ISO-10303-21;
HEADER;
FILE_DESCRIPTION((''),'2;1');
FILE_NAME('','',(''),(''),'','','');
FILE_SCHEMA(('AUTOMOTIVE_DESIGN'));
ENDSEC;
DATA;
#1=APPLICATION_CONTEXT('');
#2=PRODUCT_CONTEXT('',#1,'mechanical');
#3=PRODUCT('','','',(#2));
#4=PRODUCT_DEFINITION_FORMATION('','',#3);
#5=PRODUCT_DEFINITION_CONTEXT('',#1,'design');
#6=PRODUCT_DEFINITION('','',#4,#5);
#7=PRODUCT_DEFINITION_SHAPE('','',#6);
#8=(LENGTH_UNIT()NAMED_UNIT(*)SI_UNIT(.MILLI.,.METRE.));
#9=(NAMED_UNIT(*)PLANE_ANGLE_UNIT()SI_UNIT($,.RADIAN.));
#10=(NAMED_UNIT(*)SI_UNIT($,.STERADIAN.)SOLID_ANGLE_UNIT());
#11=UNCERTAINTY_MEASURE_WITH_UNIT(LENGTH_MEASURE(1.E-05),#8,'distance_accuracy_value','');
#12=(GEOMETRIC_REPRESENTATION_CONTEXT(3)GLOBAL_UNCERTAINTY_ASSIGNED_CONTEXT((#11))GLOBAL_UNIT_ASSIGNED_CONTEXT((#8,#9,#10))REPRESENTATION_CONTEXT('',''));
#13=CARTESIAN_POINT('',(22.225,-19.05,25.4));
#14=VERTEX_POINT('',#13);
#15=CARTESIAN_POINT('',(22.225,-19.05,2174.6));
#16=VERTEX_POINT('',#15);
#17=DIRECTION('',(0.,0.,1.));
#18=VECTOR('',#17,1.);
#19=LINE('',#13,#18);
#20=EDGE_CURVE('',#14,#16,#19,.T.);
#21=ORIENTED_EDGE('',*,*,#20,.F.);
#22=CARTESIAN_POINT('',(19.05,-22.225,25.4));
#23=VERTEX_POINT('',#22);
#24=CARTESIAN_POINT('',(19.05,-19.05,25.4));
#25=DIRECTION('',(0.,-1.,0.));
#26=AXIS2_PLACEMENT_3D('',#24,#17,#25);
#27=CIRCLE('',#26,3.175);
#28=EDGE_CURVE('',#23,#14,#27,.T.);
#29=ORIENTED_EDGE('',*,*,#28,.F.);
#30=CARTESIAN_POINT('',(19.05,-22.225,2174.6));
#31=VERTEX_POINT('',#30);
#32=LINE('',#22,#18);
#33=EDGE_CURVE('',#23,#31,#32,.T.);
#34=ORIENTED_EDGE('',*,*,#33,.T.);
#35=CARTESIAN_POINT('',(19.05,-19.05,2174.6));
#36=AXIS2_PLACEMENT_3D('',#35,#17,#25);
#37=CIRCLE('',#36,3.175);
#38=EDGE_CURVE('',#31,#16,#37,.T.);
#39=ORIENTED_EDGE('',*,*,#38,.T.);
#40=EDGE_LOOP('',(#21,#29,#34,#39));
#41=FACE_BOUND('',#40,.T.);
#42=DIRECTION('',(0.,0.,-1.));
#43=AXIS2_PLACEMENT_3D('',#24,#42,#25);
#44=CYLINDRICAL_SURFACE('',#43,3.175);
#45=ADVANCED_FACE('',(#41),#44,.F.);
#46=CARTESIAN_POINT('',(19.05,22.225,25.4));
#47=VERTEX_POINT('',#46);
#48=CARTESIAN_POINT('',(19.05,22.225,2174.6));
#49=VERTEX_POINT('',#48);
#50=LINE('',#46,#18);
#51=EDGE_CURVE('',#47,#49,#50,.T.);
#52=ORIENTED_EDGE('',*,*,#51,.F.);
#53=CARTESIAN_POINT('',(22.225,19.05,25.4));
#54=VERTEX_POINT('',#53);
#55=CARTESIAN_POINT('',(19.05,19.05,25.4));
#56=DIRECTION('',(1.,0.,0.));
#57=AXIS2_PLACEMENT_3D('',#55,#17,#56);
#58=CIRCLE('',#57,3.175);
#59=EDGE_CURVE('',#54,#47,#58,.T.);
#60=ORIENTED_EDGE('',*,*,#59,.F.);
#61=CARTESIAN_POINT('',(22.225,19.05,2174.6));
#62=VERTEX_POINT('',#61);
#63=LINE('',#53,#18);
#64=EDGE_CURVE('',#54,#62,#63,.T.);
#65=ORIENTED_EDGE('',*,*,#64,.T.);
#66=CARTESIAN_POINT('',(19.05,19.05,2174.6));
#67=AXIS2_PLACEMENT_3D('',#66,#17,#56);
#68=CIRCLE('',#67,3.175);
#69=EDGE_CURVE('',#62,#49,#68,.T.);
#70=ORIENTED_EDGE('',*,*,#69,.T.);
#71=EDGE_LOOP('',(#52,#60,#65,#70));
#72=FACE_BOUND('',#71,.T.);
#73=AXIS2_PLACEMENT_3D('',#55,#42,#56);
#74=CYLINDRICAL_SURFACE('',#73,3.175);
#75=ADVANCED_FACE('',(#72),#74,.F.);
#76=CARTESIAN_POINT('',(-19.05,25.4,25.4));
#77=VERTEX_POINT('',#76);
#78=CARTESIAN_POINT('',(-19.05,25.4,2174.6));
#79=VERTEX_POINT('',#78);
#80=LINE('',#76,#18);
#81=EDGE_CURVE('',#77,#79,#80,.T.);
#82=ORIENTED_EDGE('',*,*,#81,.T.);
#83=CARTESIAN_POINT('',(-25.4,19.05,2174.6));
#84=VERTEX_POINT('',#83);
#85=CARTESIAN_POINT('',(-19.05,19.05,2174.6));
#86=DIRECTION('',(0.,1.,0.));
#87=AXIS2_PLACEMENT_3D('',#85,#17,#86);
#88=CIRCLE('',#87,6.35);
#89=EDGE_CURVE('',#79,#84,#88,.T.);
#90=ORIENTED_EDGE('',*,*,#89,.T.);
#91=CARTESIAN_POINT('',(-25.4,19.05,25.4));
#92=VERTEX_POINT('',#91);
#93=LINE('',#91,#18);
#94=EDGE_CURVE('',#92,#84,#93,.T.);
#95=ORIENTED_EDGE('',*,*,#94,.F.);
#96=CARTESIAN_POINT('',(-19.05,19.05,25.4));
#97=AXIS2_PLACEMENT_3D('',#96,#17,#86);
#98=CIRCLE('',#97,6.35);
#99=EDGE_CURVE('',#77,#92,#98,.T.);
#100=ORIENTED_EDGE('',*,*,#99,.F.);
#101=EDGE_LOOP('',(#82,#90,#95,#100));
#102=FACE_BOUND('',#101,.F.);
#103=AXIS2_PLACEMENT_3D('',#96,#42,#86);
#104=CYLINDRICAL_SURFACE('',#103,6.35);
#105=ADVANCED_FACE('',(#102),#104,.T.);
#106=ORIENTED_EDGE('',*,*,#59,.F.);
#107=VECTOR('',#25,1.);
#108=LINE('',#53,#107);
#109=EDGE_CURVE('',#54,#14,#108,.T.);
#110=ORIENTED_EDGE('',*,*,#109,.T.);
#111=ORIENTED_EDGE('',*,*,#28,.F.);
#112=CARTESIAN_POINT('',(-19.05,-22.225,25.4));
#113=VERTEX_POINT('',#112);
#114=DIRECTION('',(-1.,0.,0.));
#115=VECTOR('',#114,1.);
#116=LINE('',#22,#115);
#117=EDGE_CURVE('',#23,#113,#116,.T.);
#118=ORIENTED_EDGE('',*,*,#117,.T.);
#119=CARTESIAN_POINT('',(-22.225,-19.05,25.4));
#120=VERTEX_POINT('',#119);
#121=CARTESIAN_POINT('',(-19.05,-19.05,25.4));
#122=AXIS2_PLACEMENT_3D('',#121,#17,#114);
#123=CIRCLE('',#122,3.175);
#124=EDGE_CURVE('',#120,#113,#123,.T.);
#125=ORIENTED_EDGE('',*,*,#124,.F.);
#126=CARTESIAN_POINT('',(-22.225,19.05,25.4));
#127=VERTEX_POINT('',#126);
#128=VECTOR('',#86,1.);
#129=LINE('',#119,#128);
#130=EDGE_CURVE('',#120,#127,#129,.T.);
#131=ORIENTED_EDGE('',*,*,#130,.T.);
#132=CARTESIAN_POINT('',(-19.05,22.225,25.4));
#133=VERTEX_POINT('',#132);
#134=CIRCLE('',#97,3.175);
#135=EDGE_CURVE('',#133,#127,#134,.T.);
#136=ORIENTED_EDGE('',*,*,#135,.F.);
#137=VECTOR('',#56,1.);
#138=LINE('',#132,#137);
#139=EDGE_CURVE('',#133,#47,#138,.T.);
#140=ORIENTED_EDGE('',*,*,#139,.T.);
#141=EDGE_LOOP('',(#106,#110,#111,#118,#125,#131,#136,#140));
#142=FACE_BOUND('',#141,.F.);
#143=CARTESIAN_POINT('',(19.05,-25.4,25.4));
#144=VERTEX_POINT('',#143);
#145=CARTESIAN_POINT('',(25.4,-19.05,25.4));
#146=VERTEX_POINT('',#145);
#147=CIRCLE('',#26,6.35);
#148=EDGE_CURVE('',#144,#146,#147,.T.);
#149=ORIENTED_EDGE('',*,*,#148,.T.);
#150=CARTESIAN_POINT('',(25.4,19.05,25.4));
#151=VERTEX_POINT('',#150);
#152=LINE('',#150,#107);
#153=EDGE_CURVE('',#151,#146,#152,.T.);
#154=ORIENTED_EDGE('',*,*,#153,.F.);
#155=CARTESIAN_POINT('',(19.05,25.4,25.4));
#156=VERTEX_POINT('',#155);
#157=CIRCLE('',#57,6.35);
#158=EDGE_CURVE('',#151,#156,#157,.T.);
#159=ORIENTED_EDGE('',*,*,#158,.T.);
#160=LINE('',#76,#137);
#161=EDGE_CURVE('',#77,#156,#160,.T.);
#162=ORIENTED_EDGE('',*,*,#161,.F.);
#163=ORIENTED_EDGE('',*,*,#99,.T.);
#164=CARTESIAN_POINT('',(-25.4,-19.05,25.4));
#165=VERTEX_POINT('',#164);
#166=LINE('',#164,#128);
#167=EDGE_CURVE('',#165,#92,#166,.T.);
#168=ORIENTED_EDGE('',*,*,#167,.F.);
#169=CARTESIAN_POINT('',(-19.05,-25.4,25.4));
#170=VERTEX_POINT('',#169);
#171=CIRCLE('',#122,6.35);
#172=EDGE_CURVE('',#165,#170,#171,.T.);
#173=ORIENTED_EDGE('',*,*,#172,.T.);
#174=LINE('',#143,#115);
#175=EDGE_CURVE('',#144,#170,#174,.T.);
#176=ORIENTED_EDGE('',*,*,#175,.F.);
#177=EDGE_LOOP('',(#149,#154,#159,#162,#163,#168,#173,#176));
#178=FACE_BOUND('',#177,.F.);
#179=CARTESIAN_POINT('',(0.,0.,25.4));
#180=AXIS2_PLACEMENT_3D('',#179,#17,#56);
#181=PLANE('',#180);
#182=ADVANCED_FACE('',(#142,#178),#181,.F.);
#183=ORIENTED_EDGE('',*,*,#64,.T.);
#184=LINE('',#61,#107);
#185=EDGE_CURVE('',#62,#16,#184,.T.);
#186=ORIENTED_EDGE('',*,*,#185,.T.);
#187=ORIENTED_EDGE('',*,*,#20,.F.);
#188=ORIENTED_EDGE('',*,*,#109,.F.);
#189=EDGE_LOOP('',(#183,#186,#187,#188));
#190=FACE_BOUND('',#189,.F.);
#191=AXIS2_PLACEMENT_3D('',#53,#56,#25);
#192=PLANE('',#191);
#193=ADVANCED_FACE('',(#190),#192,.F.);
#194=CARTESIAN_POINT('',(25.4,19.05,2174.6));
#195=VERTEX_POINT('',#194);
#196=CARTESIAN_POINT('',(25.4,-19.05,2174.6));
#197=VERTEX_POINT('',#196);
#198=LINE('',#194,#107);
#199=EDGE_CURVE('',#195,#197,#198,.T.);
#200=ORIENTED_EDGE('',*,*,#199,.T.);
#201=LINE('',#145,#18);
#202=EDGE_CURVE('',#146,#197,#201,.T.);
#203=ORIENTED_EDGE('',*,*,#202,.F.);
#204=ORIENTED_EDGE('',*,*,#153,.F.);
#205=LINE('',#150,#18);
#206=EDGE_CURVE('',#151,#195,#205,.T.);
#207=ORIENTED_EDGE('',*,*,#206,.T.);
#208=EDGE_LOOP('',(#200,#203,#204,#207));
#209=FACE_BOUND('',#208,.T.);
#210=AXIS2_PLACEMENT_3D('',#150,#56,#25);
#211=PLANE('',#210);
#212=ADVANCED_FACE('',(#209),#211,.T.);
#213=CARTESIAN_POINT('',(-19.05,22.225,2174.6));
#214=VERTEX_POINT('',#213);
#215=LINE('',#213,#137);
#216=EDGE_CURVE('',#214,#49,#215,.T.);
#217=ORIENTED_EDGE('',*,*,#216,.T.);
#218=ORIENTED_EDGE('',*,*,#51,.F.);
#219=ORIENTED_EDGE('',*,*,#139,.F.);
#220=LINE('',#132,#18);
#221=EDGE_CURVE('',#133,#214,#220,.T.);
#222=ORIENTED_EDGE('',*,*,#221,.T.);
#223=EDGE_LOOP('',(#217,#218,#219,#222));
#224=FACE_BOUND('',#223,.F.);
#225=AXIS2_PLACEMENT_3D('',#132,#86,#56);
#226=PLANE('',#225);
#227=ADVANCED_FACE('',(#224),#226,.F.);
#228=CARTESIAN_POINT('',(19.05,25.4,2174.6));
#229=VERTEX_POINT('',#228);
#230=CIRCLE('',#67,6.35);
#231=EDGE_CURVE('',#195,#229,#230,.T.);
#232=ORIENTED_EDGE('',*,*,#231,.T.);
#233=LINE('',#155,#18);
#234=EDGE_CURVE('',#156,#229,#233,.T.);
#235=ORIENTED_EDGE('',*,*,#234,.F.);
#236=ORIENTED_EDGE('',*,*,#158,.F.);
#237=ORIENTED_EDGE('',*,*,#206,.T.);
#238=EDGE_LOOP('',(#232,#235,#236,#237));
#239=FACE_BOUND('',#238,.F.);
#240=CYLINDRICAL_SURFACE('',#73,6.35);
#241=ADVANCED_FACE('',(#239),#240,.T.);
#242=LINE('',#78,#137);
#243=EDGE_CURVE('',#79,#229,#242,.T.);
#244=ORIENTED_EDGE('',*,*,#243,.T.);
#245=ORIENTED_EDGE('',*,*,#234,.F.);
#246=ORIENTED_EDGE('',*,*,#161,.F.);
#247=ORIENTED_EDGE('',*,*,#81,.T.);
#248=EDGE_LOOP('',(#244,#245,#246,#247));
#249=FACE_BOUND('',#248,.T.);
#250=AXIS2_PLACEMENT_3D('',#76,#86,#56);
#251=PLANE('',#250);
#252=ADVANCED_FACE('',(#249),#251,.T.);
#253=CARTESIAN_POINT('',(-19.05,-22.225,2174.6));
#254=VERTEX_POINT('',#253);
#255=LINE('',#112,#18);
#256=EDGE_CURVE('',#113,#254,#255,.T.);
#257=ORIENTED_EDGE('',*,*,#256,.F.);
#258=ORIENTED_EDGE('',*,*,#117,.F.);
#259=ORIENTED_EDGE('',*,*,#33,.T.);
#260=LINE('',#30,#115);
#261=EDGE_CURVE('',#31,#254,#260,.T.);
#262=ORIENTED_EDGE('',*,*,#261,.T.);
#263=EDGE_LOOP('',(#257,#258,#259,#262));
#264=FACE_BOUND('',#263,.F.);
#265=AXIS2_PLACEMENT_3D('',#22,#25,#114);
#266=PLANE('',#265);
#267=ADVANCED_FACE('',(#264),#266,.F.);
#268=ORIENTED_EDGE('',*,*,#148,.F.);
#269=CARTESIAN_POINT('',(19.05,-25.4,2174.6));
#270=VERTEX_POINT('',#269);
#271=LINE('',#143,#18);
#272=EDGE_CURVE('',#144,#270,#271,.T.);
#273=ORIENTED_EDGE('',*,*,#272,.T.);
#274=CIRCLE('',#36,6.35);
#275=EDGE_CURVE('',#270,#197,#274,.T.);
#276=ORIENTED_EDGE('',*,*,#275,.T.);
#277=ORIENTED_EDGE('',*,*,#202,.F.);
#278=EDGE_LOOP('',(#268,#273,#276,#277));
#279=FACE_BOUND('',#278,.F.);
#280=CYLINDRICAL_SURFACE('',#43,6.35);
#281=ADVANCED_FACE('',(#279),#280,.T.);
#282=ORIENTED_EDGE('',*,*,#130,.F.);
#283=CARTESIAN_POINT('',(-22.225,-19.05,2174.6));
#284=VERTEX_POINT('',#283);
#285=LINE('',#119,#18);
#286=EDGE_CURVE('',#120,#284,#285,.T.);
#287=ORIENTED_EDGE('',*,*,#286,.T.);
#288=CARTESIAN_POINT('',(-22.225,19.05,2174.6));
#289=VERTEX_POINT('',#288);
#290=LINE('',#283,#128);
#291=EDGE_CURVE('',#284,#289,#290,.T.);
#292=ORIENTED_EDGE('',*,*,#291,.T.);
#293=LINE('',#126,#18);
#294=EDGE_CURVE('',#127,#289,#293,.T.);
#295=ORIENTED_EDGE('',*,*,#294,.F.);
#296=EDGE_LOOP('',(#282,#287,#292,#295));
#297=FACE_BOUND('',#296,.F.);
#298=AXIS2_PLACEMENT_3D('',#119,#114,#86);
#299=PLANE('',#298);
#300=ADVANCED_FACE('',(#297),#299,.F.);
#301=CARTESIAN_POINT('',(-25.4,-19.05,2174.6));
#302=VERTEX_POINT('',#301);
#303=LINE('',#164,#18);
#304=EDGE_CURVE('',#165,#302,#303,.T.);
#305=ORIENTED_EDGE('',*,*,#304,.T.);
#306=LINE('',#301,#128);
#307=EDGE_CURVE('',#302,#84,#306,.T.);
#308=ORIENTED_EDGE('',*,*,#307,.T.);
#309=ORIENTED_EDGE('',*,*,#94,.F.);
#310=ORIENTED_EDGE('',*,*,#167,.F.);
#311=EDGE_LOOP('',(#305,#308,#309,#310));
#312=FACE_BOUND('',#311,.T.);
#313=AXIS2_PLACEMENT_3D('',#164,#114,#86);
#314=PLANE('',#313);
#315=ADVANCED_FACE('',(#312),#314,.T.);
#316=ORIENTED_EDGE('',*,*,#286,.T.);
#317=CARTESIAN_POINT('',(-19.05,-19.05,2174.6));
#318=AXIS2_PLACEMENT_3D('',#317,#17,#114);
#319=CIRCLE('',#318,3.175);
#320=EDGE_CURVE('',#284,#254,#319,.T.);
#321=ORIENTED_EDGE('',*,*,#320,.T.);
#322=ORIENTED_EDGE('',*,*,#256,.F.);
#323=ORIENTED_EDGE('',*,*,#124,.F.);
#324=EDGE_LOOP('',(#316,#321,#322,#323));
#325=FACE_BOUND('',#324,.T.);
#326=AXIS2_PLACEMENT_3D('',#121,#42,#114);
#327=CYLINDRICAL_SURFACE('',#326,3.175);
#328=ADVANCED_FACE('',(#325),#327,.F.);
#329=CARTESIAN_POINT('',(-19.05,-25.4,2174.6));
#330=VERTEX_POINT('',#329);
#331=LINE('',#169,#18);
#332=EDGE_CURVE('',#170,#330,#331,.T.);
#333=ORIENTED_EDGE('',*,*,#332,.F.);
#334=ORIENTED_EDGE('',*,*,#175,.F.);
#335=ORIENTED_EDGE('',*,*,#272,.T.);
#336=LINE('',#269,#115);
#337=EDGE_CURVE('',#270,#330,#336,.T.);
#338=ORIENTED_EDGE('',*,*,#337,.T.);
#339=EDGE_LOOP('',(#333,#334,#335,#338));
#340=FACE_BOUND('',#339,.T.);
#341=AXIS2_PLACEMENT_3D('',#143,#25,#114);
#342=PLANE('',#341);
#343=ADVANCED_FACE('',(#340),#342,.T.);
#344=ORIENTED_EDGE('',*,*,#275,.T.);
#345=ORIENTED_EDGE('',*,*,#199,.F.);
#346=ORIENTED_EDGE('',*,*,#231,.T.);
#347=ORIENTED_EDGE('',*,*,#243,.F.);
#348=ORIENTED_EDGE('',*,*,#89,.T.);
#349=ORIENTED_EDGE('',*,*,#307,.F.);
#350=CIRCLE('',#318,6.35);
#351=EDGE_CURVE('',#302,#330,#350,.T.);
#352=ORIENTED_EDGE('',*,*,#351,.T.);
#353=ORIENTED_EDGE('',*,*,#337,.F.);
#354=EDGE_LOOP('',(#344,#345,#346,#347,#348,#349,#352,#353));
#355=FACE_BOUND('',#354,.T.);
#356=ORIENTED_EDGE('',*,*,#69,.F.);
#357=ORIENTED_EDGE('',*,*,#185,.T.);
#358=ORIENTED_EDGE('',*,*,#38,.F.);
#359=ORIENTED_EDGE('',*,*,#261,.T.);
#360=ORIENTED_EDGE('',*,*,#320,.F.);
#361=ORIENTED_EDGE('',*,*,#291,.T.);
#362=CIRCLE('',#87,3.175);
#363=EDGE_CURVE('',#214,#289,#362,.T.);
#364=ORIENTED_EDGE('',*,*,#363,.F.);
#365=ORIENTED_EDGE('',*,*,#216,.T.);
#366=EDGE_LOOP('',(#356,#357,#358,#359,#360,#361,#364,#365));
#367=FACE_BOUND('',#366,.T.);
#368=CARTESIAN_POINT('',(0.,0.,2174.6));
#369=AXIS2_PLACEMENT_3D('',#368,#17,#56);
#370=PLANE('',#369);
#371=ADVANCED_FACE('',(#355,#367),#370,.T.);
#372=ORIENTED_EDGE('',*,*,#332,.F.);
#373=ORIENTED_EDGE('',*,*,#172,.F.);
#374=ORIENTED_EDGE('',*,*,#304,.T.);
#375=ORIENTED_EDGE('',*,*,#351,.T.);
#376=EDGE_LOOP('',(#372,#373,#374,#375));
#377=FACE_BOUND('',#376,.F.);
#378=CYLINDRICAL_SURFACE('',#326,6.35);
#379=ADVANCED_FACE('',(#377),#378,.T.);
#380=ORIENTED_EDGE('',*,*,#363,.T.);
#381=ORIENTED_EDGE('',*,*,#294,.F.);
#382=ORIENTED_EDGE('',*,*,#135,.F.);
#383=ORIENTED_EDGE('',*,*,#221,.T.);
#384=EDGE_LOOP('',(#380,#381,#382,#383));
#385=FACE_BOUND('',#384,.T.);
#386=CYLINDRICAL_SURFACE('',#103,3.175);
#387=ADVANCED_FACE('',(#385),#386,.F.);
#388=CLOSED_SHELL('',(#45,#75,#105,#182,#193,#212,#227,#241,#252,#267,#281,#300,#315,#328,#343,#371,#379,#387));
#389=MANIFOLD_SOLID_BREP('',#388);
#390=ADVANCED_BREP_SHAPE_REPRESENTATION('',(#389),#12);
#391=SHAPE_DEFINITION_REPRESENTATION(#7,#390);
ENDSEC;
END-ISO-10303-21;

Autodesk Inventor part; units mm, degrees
ref_plane "Plano inicial" through (0, 0, 25.4) normal (0, 0, 1) x (1, 0, 0)
ref_plane "Plano final" through (0, 0, 2174.6) normal (0, 0, 1) x (1, 0, 0)
sketch "Boceto" plane through (0, 0, 0) normal (0, 0, 1) x (1, 0, 0)
  line L0 (-25.4, -19.05) -> (-25.4, 19.05)
  line L1 (-19.05, 25.4) -> (19.05, 25.4)
  line L2 (25.4, 19.05) -> (25.4, -19.05)
  line L3 (19.05, -25.4) -> (-19.05, -25.4)
  arc A0 (-25.4, -19.05) -> (-19.05, -25.4) centre (-19.05, -19.05) ccw
  arc A1 (-19.05, 25.4) -> (-25.4, 19.05) centre (-19.05, 19.05) ccw
  arc A2 (25.4, 19.05) -> (19.05, 25.4) centre (19.05, 19.05) ccw
  arc A3 (19.05, -25.4) -> (25.4, -19.05) centre (19.05, -19.05) ccw
  arc A4 (-19.05, 22.225) -> (-22.225, 19.05) centre (-19.05, 19.05) ccw
  line L4 (-19.05, 22.225) -> (19.05, 22.225)
  arc A5 (22.225, 19.05) -> (19.05, 22.225) centre (19.05, 19.05) ccw
  line L5 (22.225, 19.05) -> (22.225, -19.05)
  arc A6 (19.05, -22.225) -> (22.225, -19.05) centre (19.05, -19.05) ccw
  line L6 (19.05, -22.225) -> (-19.05, -22.225)
  arc A7 (-22.225, -19.05) -> (-19.05, -22.225) centre (-19.05, -19.05) ccw
  line L7 (-22.225, -19.05) -> (-22.225, 19.05)
  line L8 (0, 37.4012) -> (0, -37.4012) construction
  line L9 (-37.4012, 0) -> (37.4012, 0) construction
  dimension "d10" = 50.8
  dimension "d11" = 50.8
  dimension "d12" = 3.175
  dimension "d15" = 25.4
  dimension "d16" = 25.4
  dimension "d17" = 6.35
extrude "Cuerpo" add sketch "Boceto" along normal up to surface (2149.2 mm away) from surface at 25.4
sketch "Sketch3" plane through (0, 0, 0) normal (0, 0, 1) x (1, 0, 0)
  line L0 (0, 0) -> (10, 0)
ref_plane "Work Plane3" through (0, 0, 0) normal (0, -1, 0) x (1, 0, 0)
ref_plane "Plano de trabajo4" through (-1680.95, -2890, 25.4) normal (0, 0, -1) x (-1, 0, 0)
split "Dividir1" plane through (-1680.95, -2890, 25.4) removes the side toward (0, 0, -1)
ref_plane "Plano de trabajo5" through (-1700, -2870.95, 2174.6) normal (0, 0, 1) x (1, 0, 0)
split "Dividir2" plane through (-1700, -2870.95, 2174.6) removes the side toward (0, 0, 1)
sketch "Sketch4" plane through (0, 0, 0) normal (0, -1, 0) x (1, 0, 0)
  line L0 (-2, 25.4) -> (12, 25.4) projected
  line L1 (-2, 2174.6) -> (12, 2174.6) projected
  dimension "d19" = 2149.2
equation "\"d10\" = G_H"
equation "\"d11\" = G_W"
equation "\"d12\" = G_T"
equation "\"d15\" = 0.5 * d10"
equation "\"d16\" = 0.5 * d11"
equation "\"d17\" = G_IR"
equation "\"d3\" = G_L"
equation "\"G_W\" = 50.8"
equation "\"G_H\" = 50.8"
equation "\"G_T\" = 3.175"
equation "\"G_IR\" = 6.35"
equation "\"G_L\" = d19"
equation "\"G_OFFSET_START\" = -25.4"
equation "\"G_OFFSET_END\" = -25.4"
equation "\"d13\" = -G_OFFSET_START"
equation "\"d14\" = G_OFFSET_END + B_L"
equation "\"B_L\" = 2200"
properties part number "AISC - 2 x 2 x 1/8 - 84,614" material "Acero, suave"
